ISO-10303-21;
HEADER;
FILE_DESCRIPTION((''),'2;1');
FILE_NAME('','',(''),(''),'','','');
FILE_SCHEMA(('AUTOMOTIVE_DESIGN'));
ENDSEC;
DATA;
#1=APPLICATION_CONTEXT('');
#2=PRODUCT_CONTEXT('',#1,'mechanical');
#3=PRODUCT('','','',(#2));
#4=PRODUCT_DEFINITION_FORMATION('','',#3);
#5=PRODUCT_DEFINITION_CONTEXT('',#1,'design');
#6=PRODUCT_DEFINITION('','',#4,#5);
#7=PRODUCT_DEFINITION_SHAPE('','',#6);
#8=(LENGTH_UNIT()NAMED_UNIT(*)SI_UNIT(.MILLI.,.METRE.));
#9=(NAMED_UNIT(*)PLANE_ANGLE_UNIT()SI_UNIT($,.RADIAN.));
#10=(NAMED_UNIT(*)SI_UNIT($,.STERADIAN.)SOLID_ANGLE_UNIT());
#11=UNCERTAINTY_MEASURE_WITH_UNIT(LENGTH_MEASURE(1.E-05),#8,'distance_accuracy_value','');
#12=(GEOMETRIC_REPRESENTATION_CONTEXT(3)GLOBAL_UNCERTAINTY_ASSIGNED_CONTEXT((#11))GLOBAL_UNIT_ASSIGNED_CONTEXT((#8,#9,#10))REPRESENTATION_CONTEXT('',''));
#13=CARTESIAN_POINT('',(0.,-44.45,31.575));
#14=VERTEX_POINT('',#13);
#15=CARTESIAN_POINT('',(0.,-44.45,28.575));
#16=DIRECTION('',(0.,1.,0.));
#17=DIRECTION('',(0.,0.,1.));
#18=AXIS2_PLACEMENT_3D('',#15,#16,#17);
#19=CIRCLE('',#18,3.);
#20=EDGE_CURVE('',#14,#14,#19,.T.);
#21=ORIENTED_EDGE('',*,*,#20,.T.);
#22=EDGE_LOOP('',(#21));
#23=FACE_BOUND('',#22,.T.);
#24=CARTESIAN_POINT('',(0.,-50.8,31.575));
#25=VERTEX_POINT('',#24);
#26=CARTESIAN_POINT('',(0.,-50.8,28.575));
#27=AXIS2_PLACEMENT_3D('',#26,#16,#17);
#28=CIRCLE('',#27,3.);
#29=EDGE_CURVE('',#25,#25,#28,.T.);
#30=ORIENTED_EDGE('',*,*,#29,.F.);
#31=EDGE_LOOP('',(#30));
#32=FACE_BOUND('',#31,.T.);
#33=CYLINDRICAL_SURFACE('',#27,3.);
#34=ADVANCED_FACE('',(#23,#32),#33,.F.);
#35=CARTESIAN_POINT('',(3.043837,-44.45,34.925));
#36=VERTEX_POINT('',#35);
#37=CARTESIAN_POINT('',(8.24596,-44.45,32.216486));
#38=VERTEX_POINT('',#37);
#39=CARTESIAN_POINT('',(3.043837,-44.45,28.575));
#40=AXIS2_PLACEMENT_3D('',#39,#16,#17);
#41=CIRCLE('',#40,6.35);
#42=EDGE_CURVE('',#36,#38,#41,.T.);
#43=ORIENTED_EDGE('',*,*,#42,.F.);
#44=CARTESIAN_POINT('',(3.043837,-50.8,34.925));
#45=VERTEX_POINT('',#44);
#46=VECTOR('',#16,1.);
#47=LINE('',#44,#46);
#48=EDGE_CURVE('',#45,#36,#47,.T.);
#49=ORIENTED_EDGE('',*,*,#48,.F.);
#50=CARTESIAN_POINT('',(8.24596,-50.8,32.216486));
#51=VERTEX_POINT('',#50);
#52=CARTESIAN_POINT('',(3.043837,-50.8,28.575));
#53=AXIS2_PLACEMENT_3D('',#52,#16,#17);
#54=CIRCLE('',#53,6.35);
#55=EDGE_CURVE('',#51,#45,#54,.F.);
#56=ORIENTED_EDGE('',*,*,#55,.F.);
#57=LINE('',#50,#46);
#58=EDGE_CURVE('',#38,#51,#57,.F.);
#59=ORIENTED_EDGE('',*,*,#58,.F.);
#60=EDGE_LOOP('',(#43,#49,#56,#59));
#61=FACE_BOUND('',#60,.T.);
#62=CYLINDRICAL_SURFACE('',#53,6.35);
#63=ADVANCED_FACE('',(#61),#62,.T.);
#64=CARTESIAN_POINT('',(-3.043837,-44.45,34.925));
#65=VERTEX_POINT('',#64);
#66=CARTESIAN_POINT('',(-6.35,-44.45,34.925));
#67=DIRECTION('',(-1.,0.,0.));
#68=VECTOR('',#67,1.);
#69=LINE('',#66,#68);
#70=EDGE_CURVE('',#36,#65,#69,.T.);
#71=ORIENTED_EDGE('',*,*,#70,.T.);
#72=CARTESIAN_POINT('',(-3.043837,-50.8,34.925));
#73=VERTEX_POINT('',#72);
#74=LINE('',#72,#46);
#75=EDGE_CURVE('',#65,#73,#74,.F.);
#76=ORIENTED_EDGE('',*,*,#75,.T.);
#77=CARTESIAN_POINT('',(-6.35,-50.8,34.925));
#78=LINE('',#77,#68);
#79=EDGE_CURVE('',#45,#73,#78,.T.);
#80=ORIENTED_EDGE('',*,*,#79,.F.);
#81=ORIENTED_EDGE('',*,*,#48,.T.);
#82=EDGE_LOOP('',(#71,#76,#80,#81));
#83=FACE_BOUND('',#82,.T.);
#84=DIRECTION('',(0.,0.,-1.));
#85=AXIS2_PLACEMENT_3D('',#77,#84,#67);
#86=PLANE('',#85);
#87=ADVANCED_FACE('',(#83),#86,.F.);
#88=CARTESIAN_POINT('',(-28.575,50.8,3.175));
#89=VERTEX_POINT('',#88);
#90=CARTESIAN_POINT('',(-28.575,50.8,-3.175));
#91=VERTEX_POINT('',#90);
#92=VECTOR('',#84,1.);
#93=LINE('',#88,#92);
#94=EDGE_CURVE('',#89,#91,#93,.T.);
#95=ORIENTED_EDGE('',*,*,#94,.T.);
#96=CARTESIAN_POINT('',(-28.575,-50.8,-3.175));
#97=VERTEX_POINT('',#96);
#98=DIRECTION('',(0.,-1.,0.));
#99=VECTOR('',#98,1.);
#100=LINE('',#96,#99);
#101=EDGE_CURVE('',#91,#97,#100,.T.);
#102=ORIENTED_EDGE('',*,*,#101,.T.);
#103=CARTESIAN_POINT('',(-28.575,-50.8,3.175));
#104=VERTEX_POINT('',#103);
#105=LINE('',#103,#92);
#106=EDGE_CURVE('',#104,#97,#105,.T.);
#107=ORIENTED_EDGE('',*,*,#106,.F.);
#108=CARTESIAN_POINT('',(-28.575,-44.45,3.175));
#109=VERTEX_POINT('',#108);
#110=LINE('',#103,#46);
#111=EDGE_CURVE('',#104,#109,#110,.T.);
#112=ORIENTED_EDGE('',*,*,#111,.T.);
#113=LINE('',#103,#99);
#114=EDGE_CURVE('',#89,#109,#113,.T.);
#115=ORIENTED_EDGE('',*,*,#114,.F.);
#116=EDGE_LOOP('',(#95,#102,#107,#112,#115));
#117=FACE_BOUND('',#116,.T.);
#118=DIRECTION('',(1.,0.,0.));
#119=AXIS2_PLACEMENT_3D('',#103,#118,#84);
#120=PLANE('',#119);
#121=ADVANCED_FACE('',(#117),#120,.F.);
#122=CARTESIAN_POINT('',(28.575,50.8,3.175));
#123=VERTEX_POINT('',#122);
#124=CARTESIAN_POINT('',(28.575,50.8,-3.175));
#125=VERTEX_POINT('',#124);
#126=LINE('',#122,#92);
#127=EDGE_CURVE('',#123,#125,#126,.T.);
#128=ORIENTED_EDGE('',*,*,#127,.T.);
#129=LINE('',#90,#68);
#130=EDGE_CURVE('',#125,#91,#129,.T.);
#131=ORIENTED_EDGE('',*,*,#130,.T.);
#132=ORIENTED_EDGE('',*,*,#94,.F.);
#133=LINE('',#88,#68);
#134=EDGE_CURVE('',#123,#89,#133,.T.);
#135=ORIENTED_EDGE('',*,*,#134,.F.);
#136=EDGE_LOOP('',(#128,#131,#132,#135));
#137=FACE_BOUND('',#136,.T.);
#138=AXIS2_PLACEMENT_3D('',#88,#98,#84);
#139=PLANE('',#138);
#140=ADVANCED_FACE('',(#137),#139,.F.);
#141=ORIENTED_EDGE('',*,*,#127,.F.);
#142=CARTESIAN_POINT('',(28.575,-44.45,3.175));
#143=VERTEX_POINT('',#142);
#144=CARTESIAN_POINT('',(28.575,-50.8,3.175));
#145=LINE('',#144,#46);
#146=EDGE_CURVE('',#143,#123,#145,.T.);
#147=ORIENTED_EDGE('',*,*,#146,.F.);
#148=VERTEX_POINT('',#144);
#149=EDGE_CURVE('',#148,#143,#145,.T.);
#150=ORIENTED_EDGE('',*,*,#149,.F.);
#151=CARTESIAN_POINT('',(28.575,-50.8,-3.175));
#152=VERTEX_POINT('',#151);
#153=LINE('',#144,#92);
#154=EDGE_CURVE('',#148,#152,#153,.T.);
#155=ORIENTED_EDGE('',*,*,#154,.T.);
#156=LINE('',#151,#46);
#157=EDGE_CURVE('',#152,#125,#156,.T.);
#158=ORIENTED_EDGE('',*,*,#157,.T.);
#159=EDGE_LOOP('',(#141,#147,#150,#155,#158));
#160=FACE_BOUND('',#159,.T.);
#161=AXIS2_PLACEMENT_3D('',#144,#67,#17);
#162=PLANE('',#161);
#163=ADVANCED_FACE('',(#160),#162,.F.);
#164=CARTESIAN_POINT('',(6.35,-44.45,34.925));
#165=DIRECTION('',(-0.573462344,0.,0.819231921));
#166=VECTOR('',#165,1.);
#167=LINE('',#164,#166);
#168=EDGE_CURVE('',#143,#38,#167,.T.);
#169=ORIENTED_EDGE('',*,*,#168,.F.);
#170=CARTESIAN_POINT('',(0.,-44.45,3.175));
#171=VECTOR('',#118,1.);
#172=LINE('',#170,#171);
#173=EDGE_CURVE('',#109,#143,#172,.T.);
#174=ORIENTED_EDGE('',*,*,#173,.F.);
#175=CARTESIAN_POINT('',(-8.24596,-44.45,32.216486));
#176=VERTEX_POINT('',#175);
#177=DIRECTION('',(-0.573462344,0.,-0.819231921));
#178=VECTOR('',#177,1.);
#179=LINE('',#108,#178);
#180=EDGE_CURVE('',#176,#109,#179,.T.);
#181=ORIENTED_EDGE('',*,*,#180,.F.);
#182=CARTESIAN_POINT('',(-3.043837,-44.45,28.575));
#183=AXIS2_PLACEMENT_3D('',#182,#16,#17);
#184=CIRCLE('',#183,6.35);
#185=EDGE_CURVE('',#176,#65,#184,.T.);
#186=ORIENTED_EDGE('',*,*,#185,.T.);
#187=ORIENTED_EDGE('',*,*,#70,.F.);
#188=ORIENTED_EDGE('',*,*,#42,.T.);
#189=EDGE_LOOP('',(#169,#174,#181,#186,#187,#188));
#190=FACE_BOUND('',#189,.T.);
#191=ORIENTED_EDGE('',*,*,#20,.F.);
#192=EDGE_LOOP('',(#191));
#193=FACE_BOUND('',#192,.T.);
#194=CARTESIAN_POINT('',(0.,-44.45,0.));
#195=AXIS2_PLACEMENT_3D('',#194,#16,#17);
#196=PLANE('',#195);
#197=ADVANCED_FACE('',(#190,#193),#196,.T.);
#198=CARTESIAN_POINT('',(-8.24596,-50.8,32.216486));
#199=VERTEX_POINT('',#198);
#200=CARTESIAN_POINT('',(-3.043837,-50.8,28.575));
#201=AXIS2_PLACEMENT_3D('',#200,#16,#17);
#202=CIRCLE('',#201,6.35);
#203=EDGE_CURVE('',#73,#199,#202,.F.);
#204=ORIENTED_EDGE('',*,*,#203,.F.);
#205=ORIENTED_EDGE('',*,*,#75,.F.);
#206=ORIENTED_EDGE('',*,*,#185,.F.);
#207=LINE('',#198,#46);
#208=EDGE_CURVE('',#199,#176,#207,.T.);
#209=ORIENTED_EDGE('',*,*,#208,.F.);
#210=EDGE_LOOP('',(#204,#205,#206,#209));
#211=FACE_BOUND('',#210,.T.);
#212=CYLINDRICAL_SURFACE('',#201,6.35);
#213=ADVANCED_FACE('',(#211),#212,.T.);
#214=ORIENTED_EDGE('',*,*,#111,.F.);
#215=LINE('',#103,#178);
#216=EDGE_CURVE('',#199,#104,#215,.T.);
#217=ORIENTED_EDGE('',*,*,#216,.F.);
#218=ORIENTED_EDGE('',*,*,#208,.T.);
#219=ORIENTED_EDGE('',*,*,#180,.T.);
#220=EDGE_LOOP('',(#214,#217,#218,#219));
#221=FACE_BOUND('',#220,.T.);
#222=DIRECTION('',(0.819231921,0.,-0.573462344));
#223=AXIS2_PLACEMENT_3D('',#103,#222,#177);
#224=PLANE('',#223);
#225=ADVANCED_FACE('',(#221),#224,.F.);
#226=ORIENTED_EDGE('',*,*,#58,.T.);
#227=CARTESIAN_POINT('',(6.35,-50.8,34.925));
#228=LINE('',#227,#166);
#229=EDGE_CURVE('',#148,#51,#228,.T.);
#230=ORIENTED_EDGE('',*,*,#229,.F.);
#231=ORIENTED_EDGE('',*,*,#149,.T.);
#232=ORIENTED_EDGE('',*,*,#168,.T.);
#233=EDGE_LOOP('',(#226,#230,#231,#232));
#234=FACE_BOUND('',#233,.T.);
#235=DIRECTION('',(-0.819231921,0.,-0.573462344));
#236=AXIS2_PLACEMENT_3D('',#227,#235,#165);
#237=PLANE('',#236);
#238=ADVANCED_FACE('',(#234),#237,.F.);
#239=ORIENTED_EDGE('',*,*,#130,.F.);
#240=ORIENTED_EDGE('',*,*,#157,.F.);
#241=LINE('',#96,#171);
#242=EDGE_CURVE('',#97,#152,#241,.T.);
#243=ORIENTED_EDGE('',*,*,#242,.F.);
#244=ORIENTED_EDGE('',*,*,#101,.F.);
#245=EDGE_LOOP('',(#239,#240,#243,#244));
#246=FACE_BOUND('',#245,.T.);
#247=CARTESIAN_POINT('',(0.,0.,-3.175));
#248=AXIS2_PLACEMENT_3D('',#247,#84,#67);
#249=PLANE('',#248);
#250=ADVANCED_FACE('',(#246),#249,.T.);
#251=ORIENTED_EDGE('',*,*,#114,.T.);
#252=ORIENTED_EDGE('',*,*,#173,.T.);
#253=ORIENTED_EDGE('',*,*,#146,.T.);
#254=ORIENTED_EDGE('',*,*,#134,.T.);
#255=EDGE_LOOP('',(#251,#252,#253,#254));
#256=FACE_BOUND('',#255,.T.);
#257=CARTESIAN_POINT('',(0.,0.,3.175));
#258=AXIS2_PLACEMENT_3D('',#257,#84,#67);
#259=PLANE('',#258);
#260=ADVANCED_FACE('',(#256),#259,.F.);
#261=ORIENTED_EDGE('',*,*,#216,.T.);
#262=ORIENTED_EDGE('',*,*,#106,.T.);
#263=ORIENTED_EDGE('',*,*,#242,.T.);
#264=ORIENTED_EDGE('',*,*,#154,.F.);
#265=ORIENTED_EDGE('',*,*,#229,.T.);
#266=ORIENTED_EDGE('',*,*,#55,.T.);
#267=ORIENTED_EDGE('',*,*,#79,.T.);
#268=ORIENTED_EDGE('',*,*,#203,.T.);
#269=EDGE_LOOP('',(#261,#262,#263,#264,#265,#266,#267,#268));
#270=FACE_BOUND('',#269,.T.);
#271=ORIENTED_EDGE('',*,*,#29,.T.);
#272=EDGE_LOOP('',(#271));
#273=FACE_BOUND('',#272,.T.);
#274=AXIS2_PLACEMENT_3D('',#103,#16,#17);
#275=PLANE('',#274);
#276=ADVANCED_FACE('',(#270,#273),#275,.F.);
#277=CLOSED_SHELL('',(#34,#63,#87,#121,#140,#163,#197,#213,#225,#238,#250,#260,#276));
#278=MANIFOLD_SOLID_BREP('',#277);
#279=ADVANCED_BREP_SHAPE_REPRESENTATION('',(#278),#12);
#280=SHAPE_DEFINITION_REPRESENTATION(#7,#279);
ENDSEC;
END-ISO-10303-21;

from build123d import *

# Parameters (mm, degrees)
SKETCH1_W           = 57.15
SKETCH1_H           = 101.6
BOSS_EXTRUDE1_DEPTH = 3.175
SKETCH2_W           = 57.15
SKETCH2_H           = 57.15
BOSS_EXTRUDE2_DEPTH = 6.35
SKETCH4_R           = 3
CUT_EXTRUDE2_DEPTH  = 7.35
CUT_EXTRUDE3_DEPTH  = 7.35
FILLET1_R           = 6.35


with BuildPart() as part:
    # Sketch1 → Boss-Extrude1 (new body, symmetric)
    with BuildSketch(Plane.XY):
        Rectangle(SKETCH1_W, SKETCH1_H)
    extrude(amount=BOSS_EXTRUDE1_DEPTH, both=True)

    # Sketch2 → Boss-Extrude2 (add)
    with BuildSketch(Plane.XZ.offset(50.8)):
        with Locations((0, 25.4)):
            Rectangle(SKETCH2_W, SKETCH2_H)
    extrude(amount=-BOSS_EXTRUDE2_DEPTH)

    # Sketch4 → Cut-Extrude2 (cut, through all)
    with BuildSketch(Plane(origin=(0, -44.45, 0), x_dir=(1, 0, 0), z_dir=(0, 1, 0))):
        with Locations((0, -28.575)):
            Circle(SKETCH4_R)
    extrude(amount=-CUT_EXTRUDE2_DEPTH, mode=Mode.SUBTRACT)

    # Sketch5 → Cut-Extrude3 (cut, through all)
    with BuildSketch(Plane(origin=(0, -44.45, 0), x_dir=(1, 0, 0), z_dir=(0, 1, 0))):
        Polygon((-28.575, -3.175), (-6.35, -34.925), (6.35, -34.925), (28.575, -3.175), (28.575, -53.975), (-28.575, -53.975), align=None)
    extrude(amount=-CUT_EXTRUDE3_DEPTH, mode=Mode.SUBTRACT)

    # Fillet1
    fillet1_edges = [part.edges().sort_by_distance(p)[0] for p in [
        (-6.35, -47.625, 34.925),
        (6.35, -47.625, 34.925),
    ]]
    fillet(fillet1_edges, radius=FILLET1_R)


solid = part.part
